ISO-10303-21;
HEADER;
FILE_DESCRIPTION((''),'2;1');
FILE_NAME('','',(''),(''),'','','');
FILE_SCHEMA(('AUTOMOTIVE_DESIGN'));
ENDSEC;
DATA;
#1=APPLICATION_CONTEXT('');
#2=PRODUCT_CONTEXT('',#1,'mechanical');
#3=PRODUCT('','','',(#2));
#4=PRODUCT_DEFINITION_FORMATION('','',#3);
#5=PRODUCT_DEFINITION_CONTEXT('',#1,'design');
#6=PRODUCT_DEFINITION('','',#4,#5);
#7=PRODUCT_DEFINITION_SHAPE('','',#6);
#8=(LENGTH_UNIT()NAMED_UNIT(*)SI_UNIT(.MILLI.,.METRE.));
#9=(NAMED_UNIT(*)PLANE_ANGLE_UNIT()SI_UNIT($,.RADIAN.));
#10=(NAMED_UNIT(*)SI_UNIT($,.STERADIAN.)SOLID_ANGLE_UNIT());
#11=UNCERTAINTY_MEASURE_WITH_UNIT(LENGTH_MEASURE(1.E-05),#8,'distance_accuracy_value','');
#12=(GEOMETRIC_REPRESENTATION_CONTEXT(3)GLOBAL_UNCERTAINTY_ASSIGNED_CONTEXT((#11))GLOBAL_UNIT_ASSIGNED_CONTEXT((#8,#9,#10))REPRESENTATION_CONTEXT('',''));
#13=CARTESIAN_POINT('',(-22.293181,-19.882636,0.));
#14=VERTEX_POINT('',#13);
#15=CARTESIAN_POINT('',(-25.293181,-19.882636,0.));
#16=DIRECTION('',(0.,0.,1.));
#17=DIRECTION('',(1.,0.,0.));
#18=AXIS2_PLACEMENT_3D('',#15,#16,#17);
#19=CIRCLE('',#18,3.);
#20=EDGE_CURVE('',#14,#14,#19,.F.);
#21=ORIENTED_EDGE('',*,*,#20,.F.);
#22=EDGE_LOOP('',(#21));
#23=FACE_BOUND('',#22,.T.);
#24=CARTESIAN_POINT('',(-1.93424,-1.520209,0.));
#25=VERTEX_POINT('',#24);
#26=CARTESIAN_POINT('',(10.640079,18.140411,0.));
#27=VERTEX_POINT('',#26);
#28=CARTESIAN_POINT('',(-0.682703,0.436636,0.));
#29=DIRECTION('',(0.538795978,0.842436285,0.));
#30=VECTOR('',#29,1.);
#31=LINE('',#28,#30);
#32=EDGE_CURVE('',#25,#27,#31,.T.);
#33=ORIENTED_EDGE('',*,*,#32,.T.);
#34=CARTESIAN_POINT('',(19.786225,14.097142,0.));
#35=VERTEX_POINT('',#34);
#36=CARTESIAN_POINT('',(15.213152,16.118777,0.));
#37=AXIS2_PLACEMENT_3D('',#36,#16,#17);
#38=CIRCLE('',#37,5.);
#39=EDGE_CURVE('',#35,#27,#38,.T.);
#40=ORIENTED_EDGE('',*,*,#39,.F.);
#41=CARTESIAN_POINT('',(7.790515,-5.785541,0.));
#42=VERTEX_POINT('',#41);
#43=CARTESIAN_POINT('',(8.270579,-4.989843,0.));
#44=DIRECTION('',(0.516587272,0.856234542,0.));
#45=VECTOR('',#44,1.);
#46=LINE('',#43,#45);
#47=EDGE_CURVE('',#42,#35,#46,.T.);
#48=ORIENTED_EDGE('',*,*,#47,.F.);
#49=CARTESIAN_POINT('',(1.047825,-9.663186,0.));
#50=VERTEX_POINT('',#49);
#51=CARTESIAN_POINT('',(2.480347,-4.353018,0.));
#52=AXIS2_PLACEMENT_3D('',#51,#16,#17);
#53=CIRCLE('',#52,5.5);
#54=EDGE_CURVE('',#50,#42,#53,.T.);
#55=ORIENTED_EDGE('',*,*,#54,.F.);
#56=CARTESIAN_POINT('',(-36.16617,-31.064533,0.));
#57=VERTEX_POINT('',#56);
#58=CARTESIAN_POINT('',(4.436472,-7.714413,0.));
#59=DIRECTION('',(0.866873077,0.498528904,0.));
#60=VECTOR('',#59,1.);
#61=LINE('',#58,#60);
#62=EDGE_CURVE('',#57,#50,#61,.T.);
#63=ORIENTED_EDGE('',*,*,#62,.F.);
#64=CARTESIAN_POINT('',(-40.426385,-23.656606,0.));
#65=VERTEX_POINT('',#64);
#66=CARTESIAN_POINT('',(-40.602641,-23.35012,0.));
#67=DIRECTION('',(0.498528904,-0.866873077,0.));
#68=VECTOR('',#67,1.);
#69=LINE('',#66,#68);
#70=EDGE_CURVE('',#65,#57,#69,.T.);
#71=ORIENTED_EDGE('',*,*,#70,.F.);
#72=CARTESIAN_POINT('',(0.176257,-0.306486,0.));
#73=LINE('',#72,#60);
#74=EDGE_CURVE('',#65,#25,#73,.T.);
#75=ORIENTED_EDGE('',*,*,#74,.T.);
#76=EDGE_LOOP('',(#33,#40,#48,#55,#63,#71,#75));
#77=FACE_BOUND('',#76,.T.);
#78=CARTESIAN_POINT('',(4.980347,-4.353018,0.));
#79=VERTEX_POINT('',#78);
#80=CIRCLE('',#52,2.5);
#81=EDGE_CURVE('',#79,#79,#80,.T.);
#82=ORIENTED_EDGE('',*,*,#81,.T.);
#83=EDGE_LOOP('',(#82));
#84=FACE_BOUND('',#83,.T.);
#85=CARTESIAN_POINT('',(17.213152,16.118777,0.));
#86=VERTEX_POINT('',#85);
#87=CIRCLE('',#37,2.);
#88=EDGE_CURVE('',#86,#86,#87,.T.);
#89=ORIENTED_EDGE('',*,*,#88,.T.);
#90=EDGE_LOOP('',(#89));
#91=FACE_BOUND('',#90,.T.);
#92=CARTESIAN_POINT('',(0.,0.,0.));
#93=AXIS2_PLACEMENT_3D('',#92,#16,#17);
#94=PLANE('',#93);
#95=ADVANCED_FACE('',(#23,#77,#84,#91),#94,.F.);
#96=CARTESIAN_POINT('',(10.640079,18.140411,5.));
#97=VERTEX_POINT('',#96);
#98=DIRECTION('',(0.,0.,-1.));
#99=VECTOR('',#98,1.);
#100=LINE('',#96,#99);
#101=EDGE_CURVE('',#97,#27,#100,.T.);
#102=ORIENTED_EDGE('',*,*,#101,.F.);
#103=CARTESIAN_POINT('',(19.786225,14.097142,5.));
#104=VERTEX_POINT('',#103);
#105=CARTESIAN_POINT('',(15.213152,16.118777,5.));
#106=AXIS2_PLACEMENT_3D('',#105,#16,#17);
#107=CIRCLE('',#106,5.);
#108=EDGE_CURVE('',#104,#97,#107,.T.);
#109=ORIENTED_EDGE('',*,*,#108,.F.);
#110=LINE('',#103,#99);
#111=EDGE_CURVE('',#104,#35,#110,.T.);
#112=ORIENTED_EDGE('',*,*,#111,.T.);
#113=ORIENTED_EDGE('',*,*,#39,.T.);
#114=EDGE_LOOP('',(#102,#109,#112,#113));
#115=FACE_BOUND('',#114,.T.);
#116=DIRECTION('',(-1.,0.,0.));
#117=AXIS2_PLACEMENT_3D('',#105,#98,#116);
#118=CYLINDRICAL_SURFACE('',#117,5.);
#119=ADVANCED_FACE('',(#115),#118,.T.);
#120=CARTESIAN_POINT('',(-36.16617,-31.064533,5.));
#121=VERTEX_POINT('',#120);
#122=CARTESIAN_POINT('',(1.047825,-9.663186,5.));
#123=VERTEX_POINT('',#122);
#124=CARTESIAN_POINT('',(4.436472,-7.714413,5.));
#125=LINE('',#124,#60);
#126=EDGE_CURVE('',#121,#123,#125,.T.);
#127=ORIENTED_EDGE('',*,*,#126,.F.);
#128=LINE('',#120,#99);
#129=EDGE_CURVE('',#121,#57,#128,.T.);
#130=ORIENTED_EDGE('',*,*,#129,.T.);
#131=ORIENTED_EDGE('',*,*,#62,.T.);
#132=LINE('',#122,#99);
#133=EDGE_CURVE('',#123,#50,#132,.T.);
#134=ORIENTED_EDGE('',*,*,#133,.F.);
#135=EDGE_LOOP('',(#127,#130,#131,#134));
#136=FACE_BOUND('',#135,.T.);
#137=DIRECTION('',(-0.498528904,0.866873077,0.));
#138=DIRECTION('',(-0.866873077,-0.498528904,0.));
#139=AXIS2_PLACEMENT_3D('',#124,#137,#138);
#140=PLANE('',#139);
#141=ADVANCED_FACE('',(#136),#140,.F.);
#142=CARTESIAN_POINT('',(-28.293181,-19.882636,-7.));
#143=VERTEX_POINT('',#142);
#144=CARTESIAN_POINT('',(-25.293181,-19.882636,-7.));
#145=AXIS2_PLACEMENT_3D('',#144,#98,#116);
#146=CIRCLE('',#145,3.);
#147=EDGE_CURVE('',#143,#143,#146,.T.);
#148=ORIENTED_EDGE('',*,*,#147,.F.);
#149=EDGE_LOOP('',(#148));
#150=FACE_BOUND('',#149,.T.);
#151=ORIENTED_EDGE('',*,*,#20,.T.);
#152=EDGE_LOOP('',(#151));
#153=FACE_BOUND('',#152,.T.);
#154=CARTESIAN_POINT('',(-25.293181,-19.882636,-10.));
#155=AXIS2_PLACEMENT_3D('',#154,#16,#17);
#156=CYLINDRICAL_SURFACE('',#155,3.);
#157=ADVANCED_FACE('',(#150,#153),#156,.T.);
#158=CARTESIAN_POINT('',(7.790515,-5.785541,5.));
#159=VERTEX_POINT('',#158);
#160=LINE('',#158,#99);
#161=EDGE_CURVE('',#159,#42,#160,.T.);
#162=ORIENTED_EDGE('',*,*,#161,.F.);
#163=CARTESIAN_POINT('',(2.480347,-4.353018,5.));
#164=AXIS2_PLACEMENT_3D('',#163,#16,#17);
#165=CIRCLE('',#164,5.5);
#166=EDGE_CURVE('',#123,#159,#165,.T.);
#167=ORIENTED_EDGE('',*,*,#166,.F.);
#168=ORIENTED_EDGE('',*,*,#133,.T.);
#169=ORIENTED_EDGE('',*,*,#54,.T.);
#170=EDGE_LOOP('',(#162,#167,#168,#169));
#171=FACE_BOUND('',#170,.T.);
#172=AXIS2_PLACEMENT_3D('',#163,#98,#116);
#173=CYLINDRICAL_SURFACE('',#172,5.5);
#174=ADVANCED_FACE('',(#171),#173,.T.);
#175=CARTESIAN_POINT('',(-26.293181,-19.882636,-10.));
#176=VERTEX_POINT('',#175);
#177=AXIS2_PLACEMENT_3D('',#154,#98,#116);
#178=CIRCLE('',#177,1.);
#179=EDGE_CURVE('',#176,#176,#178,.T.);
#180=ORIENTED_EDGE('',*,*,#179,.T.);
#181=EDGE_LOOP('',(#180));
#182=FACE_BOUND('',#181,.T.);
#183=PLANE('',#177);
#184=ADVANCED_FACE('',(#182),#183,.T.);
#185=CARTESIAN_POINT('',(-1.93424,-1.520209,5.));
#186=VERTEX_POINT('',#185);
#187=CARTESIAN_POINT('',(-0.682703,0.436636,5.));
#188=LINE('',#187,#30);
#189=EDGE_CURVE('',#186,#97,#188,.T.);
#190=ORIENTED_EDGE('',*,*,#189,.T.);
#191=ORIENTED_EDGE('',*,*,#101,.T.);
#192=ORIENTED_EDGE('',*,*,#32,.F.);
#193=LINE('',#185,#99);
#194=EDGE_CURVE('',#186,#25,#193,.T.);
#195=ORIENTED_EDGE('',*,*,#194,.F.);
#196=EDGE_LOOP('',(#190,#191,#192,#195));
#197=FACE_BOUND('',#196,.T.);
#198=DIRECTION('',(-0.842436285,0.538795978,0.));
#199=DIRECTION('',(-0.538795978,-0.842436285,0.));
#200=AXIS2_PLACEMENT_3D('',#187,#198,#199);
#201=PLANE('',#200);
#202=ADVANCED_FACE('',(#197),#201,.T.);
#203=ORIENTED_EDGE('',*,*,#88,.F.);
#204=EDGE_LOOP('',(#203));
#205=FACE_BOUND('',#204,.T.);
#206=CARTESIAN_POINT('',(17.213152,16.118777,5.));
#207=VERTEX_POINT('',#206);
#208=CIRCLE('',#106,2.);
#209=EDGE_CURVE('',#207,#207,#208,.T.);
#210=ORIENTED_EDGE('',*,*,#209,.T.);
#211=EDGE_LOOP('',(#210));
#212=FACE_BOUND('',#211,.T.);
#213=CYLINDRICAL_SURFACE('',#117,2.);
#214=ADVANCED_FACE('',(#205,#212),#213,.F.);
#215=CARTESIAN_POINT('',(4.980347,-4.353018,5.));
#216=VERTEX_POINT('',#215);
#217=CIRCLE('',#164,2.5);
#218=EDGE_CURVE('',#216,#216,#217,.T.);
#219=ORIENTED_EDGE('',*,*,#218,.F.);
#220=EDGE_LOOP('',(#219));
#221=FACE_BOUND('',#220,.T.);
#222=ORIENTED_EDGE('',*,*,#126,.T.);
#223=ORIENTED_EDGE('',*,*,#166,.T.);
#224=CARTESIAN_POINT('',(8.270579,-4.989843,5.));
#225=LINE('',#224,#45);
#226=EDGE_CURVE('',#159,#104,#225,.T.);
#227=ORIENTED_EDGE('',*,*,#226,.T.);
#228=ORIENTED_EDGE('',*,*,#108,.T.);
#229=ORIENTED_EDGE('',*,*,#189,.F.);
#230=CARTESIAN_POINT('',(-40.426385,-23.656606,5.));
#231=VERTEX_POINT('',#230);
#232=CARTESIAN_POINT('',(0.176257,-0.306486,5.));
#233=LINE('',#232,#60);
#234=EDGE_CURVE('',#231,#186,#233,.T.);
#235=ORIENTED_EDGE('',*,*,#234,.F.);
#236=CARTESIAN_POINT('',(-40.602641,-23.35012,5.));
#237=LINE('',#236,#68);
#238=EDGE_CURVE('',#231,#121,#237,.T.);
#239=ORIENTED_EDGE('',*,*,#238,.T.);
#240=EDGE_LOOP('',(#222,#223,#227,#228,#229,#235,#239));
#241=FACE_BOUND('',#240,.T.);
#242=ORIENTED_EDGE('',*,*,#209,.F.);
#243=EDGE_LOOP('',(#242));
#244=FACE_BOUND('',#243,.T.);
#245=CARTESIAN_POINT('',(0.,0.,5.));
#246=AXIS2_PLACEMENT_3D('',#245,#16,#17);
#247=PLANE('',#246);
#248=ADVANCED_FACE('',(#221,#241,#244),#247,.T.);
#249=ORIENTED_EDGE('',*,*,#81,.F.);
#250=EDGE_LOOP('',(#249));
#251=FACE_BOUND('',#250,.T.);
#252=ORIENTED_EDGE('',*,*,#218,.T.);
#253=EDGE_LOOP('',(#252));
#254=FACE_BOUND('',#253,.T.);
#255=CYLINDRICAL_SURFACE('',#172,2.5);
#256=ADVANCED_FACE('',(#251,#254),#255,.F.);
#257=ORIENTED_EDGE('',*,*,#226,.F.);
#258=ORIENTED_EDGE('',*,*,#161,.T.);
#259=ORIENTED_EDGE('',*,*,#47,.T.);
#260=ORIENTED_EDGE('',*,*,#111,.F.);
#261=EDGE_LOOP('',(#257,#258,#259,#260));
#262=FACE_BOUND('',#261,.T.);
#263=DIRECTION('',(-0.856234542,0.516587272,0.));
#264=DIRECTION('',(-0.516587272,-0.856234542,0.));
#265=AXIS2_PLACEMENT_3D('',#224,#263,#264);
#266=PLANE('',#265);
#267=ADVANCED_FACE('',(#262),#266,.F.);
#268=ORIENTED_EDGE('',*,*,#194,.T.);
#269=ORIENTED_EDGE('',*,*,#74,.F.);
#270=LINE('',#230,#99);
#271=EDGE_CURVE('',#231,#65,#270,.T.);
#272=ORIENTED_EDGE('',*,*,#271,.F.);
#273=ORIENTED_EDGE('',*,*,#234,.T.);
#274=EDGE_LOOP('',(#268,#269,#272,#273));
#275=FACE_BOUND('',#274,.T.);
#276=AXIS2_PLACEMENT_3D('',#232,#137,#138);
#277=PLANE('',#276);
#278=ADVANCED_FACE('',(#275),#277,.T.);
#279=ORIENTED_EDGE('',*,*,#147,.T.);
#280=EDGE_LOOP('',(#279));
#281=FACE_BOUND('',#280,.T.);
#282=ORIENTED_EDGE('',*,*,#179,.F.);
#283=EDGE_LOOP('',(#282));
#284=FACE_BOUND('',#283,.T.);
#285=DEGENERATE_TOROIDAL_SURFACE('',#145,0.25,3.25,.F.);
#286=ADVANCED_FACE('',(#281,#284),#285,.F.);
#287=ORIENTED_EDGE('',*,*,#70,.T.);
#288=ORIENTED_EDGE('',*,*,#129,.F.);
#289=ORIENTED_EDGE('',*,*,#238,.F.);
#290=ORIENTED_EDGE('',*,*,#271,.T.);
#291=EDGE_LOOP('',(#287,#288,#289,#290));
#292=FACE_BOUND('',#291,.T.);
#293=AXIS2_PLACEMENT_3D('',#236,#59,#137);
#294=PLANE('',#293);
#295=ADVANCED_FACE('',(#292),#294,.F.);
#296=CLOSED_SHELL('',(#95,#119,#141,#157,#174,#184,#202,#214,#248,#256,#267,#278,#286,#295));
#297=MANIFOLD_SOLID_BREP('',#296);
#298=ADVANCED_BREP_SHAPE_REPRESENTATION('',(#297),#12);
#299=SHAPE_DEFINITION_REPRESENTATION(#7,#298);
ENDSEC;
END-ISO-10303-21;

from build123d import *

# Parameters (mm, degrees)
SKETCH1_R           = 2
SKETCH1_R_2         = 2.5
BOSS_EXTRUDE1_DEPTH = 5
SKETCH8_R           = 3
BOSS_EXTRUDE3_DEPTH = 10


with BuildPart() as part:
    # Sketch1 → Boss-Extrude1 (new body)
    with BuildSketch(Plane(origin=(0, 0, 0), x_dir=(0.498528904, -0.866873077, 0), z_dir=(0, 0, 1))):
        with BuildLine():
            Line((8.899126574, 3.869128256), (-2.35642803, 24.179978159))
            ThreePointArc((-2.35642803, 24.179978159), (-9.345167797, 25.255857552), (-10.421047189, 18.267117784))
            Line((-10.421047189, 18.267117784), (1.120951981, -3.909046337))
            ThreePointArc((1.120951981, -3.909046337), (8.899126574, -3.909046337), (8.899126574, 3.869128256))
        make_face()
        with Locations((-6.38873761, 21.223547972)):
            Circle(SKETCH1_R, mode=Mode.SUBTRACT)
        with Locations((5.010039278, -0.019959041)):
            Circle(SKETCH1_R_2, mode=Mode.SUBTRACT)
        with BuildLine():
            Line((8.899126574, -46.838046337), (8.899126574, -3.909046337))
            ThreePointArc((8.899126574, -3.909046337), (5.010039278, -5.519959041), (1.120951981, -3.909046337))
            Line((1.120951981, -3.909046337), (0.353553391, -2.434608777))
            Line((0.353553391, -2.434608777), (0.353553391, -46.838046337))
            Line((0.353553391, -46.838046337), (8.899126574, -46.838046337))
        make_face()
    extrude(amount=BOSS_EXTRUDE1_DEPTH)

    # Sketch8 → Boss-Extrude3 (add)
    with BuildSketch(Plane(origin=(0, 0, 0), x_dir=(-1, 0, 0), z_dir=(0, 0, -1))):
        with Locations((25.293181008, -19.882635909)):
            Circle(SKETCH8_R)
    extrude(amount=BOSS_EXTRUDE3_DEPTH)

    # Sketch9 → Cut-Revolve1 (revolve, cut)
    with BuildSketch(Plane(origin=(2.306364199, -4.010449578, 0), x_dir=(-0.866873077, -0.498528904, 0), z_dir=(0.498528904, -0.866873077, 0))):
        with BuildLine():
            Line((32.838046337, 10), (34.838046337, 10))
            Line((34.838046337, 10), (34.838046337, 7))
            ThreePointArc((34.838046337, 7), (34.292209794, 8.802775638), (32.838046337, 10))
        make_face()
    revolve(axis=Axis((-25.293181008, -19.882635909, -10), (0, 0, 1)), mode=Mode.SUBTRACT)


solid = part.part
